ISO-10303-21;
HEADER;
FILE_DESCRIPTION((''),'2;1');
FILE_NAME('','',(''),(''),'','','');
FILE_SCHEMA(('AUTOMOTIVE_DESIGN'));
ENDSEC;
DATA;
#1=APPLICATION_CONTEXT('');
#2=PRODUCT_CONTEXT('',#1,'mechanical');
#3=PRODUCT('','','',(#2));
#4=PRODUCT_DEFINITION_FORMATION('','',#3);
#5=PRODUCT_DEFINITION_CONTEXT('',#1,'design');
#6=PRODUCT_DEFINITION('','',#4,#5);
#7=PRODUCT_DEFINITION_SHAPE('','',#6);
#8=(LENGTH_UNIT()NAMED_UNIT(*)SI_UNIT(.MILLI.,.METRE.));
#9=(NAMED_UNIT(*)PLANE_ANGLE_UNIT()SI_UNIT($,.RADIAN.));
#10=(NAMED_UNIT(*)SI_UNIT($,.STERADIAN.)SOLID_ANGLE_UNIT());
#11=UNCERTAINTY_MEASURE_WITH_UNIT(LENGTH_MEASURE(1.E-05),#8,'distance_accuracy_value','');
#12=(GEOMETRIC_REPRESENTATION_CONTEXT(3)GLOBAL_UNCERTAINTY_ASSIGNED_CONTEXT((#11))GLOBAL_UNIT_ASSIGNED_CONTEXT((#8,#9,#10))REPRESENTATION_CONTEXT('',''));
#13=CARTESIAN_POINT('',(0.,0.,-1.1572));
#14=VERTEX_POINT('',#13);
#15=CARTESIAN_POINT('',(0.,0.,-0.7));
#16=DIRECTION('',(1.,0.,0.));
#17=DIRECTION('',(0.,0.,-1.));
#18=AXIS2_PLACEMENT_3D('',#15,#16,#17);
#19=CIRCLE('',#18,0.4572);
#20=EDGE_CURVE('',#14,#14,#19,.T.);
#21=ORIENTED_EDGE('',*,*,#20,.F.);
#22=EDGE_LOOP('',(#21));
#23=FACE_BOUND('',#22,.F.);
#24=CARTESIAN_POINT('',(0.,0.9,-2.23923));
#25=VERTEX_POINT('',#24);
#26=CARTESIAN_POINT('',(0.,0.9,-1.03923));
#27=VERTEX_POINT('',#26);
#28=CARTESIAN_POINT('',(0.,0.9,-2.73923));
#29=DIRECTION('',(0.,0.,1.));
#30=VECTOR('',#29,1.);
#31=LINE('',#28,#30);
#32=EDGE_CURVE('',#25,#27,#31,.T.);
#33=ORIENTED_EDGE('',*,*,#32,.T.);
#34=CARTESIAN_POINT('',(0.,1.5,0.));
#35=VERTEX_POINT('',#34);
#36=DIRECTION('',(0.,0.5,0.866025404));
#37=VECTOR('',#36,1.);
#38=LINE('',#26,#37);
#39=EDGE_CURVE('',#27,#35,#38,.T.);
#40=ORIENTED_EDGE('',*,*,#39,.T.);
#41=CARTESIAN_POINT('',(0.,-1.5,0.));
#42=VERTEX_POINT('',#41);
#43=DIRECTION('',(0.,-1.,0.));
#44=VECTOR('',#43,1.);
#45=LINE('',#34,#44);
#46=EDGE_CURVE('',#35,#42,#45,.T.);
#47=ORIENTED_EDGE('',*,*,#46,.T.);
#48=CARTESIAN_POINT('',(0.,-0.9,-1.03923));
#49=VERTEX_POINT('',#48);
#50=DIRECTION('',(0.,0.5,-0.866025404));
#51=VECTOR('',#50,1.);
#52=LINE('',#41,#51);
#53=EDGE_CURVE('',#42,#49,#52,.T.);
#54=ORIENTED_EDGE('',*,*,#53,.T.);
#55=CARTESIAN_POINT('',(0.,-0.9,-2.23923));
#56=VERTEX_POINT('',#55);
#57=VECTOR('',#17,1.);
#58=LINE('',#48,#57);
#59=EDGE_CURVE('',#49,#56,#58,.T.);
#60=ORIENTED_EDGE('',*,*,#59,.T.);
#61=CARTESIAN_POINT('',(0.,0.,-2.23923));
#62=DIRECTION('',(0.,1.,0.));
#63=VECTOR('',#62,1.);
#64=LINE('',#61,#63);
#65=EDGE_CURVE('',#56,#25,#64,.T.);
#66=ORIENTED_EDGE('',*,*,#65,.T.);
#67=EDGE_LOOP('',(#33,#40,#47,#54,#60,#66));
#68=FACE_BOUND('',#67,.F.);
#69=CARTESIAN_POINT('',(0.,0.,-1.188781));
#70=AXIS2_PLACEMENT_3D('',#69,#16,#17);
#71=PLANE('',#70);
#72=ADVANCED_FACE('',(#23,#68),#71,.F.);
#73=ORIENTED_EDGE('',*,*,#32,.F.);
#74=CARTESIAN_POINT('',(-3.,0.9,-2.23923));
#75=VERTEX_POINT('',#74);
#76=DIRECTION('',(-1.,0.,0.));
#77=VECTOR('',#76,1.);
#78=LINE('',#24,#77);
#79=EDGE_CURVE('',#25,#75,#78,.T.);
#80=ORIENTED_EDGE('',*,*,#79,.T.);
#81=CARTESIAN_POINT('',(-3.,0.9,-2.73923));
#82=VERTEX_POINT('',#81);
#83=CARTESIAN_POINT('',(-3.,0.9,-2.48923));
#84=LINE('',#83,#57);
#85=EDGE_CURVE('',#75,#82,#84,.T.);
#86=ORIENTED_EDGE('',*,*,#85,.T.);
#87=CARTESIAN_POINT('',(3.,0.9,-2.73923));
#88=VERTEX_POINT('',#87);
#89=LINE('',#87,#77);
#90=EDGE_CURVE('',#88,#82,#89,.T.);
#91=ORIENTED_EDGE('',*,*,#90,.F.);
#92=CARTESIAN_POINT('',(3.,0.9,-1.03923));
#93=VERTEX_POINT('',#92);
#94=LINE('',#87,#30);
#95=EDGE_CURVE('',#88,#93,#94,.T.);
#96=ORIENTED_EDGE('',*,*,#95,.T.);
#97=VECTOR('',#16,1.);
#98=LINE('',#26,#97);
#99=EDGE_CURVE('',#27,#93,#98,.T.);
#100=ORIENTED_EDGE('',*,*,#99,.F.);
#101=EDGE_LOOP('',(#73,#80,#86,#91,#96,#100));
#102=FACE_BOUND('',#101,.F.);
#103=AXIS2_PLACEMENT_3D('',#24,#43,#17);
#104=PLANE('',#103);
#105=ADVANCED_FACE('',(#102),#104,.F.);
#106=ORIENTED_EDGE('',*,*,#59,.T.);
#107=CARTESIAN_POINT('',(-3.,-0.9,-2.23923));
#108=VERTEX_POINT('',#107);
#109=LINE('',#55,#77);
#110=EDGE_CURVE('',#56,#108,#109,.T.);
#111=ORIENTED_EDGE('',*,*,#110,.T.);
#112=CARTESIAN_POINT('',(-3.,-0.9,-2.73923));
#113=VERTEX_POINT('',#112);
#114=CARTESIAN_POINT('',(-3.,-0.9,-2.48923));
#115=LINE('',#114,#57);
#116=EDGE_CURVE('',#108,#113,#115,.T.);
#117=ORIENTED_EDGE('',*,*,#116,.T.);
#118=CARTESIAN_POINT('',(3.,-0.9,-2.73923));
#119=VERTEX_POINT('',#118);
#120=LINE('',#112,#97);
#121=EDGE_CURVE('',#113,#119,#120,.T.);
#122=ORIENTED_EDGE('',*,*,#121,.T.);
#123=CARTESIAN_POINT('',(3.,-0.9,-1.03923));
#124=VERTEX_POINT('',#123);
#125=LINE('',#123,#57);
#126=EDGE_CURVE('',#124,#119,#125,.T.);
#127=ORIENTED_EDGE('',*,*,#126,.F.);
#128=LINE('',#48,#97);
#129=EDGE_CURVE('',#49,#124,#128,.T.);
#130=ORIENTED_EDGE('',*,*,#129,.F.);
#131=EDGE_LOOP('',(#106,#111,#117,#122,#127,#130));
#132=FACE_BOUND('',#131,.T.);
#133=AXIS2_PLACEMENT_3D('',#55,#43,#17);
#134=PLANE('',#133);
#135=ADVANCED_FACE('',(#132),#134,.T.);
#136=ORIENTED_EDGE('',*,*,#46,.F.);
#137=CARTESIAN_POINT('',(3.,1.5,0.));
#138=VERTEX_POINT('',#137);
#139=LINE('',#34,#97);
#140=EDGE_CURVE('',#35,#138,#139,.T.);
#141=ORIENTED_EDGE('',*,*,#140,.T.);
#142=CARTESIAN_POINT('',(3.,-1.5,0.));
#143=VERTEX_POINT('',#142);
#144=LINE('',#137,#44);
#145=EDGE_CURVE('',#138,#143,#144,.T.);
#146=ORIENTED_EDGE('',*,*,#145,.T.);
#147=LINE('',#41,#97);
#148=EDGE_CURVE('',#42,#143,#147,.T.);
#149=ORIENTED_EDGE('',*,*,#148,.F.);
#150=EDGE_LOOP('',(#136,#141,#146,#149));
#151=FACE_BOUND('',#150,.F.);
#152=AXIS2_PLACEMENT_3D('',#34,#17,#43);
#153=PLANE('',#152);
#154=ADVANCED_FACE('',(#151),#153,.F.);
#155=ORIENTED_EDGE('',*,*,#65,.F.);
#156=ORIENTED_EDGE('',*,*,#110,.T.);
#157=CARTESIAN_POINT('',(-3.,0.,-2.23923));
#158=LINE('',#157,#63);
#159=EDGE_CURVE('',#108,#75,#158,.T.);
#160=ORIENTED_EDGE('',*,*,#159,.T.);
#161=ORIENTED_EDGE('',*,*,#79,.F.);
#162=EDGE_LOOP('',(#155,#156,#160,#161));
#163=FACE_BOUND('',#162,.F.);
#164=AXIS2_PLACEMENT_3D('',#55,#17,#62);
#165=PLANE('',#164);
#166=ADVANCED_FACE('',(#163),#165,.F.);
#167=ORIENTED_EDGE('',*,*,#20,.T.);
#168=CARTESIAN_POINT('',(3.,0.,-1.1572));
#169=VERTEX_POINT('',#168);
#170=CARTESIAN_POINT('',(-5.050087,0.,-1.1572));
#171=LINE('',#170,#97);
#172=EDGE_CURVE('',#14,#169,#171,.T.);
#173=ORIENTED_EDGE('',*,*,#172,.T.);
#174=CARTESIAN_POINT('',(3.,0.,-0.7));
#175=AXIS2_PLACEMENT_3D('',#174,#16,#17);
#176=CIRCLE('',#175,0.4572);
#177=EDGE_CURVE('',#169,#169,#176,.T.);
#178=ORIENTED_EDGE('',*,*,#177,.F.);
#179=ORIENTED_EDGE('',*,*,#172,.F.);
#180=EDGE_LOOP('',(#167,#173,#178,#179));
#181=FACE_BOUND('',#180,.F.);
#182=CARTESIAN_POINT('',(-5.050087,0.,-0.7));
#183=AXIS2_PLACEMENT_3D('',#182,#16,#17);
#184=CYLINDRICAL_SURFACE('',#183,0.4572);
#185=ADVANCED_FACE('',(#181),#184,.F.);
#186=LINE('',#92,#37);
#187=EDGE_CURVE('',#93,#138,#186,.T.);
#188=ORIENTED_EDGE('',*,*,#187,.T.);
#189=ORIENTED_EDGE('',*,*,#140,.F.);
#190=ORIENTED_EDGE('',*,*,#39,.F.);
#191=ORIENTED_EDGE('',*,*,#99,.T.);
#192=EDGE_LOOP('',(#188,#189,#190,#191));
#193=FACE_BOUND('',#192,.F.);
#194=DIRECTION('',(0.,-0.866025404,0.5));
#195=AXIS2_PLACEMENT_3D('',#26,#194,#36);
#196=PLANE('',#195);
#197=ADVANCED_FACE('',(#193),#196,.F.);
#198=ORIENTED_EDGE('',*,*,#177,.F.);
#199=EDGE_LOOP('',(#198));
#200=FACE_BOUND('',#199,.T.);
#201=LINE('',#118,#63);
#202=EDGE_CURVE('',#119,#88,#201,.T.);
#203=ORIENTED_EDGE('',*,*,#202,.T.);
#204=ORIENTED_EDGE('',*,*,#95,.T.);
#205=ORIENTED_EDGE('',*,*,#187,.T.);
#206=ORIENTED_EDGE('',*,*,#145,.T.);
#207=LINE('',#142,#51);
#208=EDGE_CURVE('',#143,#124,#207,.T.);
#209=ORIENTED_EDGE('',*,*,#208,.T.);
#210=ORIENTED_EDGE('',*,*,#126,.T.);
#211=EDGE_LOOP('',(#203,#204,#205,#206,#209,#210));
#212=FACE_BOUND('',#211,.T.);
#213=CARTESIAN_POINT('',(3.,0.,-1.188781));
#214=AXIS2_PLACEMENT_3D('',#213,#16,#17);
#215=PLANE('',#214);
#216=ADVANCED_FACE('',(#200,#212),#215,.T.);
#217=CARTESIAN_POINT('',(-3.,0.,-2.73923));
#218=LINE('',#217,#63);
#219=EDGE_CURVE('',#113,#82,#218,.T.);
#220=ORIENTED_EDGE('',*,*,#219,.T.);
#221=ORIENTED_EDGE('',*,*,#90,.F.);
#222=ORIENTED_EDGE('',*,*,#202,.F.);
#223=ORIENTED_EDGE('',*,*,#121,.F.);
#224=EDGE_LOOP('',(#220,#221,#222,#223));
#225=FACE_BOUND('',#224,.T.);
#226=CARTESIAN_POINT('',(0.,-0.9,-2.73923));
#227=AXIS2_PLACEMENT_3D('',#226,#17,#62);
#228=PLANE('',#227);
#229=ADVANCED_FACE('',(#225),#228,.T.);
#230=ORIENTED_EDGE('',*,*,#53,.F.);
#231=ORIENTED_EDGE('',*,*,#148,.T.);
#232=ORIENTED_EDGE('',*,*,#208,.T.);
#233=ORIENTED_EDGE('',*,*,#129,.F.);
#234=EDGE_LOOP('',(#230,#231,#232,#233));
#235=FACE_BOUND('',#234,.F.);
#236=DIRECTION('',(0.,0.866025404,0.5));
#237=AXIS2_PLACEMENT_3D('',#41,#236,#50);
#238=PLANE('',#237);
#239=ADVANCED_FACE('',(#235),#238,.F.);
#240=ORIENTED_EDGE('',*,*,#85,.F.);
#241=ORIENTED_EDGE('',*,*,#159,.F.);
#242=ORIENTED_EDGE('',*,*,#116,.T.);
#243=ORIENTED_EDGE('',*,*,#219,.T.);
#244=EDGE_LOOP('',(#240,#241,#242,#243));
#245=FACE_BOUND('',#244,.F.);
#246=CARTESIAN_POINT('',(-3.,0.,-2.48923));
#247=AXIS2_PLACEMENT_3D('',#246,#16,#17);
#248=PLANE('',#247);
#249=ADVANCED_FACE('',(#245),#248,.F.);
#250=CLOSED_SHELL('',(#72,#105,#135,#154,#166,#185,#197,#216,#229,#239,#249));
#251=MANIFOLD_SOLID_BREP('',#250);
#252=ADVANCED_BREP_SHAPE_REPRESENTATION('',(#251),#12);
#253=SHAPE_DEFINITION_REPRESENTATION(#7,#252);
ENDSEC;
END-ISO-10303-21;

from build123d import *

# Parameters (mm, degrees)
BOSS_EXTRUDE1_DEPTH    = 3
F_00_90_TAPPED_HOLE1_D = 0.9144
SKETCH1_5_W            = 0.5
SKETCH1_5_H            = 1.8
BOSS_EXTRUDE2_DEPTH    = 3


with BuildPart() as part:
    # Sketch1 → Boss-Extrude1 (new body)
    with BuildSketch(Plane(origin=(0, 0, 0), x_dir=(0, 0, -1), z_dir=(1, 0, 0))):
        Polygon((0, 1.5), (0, -1.5), (1.039230485, -0.9), (2.739230485, -0.9), (2.739230485, 0.9), (1.039230485, 0.9), align=None)
    extrude(amount=BOSS_EXTRUDE1_DEPTH)

    # #00-90 Tapped Hole1 (through all)
    with Locations(Plane.ZY):
        with Locations((-0.7, 0)):
            Hole(F_00_90_TAPPED_HOLE1_D / 2)

    # Sketch1<5> → Boss-Extrude2 (add)
    with BuildSketch(Plane(origin=(0, 0, 0), x_dir=(0, 0, -1), z_dir=(1, 0, 0))):
        with Locations((2.489230485, 0)):
            Rectangle(SKETCH1_5_W, SKETCH1_5_H)
    extrude(amount=-BOSS_EXTRUDE2_DEPTH)


solid = part.part
